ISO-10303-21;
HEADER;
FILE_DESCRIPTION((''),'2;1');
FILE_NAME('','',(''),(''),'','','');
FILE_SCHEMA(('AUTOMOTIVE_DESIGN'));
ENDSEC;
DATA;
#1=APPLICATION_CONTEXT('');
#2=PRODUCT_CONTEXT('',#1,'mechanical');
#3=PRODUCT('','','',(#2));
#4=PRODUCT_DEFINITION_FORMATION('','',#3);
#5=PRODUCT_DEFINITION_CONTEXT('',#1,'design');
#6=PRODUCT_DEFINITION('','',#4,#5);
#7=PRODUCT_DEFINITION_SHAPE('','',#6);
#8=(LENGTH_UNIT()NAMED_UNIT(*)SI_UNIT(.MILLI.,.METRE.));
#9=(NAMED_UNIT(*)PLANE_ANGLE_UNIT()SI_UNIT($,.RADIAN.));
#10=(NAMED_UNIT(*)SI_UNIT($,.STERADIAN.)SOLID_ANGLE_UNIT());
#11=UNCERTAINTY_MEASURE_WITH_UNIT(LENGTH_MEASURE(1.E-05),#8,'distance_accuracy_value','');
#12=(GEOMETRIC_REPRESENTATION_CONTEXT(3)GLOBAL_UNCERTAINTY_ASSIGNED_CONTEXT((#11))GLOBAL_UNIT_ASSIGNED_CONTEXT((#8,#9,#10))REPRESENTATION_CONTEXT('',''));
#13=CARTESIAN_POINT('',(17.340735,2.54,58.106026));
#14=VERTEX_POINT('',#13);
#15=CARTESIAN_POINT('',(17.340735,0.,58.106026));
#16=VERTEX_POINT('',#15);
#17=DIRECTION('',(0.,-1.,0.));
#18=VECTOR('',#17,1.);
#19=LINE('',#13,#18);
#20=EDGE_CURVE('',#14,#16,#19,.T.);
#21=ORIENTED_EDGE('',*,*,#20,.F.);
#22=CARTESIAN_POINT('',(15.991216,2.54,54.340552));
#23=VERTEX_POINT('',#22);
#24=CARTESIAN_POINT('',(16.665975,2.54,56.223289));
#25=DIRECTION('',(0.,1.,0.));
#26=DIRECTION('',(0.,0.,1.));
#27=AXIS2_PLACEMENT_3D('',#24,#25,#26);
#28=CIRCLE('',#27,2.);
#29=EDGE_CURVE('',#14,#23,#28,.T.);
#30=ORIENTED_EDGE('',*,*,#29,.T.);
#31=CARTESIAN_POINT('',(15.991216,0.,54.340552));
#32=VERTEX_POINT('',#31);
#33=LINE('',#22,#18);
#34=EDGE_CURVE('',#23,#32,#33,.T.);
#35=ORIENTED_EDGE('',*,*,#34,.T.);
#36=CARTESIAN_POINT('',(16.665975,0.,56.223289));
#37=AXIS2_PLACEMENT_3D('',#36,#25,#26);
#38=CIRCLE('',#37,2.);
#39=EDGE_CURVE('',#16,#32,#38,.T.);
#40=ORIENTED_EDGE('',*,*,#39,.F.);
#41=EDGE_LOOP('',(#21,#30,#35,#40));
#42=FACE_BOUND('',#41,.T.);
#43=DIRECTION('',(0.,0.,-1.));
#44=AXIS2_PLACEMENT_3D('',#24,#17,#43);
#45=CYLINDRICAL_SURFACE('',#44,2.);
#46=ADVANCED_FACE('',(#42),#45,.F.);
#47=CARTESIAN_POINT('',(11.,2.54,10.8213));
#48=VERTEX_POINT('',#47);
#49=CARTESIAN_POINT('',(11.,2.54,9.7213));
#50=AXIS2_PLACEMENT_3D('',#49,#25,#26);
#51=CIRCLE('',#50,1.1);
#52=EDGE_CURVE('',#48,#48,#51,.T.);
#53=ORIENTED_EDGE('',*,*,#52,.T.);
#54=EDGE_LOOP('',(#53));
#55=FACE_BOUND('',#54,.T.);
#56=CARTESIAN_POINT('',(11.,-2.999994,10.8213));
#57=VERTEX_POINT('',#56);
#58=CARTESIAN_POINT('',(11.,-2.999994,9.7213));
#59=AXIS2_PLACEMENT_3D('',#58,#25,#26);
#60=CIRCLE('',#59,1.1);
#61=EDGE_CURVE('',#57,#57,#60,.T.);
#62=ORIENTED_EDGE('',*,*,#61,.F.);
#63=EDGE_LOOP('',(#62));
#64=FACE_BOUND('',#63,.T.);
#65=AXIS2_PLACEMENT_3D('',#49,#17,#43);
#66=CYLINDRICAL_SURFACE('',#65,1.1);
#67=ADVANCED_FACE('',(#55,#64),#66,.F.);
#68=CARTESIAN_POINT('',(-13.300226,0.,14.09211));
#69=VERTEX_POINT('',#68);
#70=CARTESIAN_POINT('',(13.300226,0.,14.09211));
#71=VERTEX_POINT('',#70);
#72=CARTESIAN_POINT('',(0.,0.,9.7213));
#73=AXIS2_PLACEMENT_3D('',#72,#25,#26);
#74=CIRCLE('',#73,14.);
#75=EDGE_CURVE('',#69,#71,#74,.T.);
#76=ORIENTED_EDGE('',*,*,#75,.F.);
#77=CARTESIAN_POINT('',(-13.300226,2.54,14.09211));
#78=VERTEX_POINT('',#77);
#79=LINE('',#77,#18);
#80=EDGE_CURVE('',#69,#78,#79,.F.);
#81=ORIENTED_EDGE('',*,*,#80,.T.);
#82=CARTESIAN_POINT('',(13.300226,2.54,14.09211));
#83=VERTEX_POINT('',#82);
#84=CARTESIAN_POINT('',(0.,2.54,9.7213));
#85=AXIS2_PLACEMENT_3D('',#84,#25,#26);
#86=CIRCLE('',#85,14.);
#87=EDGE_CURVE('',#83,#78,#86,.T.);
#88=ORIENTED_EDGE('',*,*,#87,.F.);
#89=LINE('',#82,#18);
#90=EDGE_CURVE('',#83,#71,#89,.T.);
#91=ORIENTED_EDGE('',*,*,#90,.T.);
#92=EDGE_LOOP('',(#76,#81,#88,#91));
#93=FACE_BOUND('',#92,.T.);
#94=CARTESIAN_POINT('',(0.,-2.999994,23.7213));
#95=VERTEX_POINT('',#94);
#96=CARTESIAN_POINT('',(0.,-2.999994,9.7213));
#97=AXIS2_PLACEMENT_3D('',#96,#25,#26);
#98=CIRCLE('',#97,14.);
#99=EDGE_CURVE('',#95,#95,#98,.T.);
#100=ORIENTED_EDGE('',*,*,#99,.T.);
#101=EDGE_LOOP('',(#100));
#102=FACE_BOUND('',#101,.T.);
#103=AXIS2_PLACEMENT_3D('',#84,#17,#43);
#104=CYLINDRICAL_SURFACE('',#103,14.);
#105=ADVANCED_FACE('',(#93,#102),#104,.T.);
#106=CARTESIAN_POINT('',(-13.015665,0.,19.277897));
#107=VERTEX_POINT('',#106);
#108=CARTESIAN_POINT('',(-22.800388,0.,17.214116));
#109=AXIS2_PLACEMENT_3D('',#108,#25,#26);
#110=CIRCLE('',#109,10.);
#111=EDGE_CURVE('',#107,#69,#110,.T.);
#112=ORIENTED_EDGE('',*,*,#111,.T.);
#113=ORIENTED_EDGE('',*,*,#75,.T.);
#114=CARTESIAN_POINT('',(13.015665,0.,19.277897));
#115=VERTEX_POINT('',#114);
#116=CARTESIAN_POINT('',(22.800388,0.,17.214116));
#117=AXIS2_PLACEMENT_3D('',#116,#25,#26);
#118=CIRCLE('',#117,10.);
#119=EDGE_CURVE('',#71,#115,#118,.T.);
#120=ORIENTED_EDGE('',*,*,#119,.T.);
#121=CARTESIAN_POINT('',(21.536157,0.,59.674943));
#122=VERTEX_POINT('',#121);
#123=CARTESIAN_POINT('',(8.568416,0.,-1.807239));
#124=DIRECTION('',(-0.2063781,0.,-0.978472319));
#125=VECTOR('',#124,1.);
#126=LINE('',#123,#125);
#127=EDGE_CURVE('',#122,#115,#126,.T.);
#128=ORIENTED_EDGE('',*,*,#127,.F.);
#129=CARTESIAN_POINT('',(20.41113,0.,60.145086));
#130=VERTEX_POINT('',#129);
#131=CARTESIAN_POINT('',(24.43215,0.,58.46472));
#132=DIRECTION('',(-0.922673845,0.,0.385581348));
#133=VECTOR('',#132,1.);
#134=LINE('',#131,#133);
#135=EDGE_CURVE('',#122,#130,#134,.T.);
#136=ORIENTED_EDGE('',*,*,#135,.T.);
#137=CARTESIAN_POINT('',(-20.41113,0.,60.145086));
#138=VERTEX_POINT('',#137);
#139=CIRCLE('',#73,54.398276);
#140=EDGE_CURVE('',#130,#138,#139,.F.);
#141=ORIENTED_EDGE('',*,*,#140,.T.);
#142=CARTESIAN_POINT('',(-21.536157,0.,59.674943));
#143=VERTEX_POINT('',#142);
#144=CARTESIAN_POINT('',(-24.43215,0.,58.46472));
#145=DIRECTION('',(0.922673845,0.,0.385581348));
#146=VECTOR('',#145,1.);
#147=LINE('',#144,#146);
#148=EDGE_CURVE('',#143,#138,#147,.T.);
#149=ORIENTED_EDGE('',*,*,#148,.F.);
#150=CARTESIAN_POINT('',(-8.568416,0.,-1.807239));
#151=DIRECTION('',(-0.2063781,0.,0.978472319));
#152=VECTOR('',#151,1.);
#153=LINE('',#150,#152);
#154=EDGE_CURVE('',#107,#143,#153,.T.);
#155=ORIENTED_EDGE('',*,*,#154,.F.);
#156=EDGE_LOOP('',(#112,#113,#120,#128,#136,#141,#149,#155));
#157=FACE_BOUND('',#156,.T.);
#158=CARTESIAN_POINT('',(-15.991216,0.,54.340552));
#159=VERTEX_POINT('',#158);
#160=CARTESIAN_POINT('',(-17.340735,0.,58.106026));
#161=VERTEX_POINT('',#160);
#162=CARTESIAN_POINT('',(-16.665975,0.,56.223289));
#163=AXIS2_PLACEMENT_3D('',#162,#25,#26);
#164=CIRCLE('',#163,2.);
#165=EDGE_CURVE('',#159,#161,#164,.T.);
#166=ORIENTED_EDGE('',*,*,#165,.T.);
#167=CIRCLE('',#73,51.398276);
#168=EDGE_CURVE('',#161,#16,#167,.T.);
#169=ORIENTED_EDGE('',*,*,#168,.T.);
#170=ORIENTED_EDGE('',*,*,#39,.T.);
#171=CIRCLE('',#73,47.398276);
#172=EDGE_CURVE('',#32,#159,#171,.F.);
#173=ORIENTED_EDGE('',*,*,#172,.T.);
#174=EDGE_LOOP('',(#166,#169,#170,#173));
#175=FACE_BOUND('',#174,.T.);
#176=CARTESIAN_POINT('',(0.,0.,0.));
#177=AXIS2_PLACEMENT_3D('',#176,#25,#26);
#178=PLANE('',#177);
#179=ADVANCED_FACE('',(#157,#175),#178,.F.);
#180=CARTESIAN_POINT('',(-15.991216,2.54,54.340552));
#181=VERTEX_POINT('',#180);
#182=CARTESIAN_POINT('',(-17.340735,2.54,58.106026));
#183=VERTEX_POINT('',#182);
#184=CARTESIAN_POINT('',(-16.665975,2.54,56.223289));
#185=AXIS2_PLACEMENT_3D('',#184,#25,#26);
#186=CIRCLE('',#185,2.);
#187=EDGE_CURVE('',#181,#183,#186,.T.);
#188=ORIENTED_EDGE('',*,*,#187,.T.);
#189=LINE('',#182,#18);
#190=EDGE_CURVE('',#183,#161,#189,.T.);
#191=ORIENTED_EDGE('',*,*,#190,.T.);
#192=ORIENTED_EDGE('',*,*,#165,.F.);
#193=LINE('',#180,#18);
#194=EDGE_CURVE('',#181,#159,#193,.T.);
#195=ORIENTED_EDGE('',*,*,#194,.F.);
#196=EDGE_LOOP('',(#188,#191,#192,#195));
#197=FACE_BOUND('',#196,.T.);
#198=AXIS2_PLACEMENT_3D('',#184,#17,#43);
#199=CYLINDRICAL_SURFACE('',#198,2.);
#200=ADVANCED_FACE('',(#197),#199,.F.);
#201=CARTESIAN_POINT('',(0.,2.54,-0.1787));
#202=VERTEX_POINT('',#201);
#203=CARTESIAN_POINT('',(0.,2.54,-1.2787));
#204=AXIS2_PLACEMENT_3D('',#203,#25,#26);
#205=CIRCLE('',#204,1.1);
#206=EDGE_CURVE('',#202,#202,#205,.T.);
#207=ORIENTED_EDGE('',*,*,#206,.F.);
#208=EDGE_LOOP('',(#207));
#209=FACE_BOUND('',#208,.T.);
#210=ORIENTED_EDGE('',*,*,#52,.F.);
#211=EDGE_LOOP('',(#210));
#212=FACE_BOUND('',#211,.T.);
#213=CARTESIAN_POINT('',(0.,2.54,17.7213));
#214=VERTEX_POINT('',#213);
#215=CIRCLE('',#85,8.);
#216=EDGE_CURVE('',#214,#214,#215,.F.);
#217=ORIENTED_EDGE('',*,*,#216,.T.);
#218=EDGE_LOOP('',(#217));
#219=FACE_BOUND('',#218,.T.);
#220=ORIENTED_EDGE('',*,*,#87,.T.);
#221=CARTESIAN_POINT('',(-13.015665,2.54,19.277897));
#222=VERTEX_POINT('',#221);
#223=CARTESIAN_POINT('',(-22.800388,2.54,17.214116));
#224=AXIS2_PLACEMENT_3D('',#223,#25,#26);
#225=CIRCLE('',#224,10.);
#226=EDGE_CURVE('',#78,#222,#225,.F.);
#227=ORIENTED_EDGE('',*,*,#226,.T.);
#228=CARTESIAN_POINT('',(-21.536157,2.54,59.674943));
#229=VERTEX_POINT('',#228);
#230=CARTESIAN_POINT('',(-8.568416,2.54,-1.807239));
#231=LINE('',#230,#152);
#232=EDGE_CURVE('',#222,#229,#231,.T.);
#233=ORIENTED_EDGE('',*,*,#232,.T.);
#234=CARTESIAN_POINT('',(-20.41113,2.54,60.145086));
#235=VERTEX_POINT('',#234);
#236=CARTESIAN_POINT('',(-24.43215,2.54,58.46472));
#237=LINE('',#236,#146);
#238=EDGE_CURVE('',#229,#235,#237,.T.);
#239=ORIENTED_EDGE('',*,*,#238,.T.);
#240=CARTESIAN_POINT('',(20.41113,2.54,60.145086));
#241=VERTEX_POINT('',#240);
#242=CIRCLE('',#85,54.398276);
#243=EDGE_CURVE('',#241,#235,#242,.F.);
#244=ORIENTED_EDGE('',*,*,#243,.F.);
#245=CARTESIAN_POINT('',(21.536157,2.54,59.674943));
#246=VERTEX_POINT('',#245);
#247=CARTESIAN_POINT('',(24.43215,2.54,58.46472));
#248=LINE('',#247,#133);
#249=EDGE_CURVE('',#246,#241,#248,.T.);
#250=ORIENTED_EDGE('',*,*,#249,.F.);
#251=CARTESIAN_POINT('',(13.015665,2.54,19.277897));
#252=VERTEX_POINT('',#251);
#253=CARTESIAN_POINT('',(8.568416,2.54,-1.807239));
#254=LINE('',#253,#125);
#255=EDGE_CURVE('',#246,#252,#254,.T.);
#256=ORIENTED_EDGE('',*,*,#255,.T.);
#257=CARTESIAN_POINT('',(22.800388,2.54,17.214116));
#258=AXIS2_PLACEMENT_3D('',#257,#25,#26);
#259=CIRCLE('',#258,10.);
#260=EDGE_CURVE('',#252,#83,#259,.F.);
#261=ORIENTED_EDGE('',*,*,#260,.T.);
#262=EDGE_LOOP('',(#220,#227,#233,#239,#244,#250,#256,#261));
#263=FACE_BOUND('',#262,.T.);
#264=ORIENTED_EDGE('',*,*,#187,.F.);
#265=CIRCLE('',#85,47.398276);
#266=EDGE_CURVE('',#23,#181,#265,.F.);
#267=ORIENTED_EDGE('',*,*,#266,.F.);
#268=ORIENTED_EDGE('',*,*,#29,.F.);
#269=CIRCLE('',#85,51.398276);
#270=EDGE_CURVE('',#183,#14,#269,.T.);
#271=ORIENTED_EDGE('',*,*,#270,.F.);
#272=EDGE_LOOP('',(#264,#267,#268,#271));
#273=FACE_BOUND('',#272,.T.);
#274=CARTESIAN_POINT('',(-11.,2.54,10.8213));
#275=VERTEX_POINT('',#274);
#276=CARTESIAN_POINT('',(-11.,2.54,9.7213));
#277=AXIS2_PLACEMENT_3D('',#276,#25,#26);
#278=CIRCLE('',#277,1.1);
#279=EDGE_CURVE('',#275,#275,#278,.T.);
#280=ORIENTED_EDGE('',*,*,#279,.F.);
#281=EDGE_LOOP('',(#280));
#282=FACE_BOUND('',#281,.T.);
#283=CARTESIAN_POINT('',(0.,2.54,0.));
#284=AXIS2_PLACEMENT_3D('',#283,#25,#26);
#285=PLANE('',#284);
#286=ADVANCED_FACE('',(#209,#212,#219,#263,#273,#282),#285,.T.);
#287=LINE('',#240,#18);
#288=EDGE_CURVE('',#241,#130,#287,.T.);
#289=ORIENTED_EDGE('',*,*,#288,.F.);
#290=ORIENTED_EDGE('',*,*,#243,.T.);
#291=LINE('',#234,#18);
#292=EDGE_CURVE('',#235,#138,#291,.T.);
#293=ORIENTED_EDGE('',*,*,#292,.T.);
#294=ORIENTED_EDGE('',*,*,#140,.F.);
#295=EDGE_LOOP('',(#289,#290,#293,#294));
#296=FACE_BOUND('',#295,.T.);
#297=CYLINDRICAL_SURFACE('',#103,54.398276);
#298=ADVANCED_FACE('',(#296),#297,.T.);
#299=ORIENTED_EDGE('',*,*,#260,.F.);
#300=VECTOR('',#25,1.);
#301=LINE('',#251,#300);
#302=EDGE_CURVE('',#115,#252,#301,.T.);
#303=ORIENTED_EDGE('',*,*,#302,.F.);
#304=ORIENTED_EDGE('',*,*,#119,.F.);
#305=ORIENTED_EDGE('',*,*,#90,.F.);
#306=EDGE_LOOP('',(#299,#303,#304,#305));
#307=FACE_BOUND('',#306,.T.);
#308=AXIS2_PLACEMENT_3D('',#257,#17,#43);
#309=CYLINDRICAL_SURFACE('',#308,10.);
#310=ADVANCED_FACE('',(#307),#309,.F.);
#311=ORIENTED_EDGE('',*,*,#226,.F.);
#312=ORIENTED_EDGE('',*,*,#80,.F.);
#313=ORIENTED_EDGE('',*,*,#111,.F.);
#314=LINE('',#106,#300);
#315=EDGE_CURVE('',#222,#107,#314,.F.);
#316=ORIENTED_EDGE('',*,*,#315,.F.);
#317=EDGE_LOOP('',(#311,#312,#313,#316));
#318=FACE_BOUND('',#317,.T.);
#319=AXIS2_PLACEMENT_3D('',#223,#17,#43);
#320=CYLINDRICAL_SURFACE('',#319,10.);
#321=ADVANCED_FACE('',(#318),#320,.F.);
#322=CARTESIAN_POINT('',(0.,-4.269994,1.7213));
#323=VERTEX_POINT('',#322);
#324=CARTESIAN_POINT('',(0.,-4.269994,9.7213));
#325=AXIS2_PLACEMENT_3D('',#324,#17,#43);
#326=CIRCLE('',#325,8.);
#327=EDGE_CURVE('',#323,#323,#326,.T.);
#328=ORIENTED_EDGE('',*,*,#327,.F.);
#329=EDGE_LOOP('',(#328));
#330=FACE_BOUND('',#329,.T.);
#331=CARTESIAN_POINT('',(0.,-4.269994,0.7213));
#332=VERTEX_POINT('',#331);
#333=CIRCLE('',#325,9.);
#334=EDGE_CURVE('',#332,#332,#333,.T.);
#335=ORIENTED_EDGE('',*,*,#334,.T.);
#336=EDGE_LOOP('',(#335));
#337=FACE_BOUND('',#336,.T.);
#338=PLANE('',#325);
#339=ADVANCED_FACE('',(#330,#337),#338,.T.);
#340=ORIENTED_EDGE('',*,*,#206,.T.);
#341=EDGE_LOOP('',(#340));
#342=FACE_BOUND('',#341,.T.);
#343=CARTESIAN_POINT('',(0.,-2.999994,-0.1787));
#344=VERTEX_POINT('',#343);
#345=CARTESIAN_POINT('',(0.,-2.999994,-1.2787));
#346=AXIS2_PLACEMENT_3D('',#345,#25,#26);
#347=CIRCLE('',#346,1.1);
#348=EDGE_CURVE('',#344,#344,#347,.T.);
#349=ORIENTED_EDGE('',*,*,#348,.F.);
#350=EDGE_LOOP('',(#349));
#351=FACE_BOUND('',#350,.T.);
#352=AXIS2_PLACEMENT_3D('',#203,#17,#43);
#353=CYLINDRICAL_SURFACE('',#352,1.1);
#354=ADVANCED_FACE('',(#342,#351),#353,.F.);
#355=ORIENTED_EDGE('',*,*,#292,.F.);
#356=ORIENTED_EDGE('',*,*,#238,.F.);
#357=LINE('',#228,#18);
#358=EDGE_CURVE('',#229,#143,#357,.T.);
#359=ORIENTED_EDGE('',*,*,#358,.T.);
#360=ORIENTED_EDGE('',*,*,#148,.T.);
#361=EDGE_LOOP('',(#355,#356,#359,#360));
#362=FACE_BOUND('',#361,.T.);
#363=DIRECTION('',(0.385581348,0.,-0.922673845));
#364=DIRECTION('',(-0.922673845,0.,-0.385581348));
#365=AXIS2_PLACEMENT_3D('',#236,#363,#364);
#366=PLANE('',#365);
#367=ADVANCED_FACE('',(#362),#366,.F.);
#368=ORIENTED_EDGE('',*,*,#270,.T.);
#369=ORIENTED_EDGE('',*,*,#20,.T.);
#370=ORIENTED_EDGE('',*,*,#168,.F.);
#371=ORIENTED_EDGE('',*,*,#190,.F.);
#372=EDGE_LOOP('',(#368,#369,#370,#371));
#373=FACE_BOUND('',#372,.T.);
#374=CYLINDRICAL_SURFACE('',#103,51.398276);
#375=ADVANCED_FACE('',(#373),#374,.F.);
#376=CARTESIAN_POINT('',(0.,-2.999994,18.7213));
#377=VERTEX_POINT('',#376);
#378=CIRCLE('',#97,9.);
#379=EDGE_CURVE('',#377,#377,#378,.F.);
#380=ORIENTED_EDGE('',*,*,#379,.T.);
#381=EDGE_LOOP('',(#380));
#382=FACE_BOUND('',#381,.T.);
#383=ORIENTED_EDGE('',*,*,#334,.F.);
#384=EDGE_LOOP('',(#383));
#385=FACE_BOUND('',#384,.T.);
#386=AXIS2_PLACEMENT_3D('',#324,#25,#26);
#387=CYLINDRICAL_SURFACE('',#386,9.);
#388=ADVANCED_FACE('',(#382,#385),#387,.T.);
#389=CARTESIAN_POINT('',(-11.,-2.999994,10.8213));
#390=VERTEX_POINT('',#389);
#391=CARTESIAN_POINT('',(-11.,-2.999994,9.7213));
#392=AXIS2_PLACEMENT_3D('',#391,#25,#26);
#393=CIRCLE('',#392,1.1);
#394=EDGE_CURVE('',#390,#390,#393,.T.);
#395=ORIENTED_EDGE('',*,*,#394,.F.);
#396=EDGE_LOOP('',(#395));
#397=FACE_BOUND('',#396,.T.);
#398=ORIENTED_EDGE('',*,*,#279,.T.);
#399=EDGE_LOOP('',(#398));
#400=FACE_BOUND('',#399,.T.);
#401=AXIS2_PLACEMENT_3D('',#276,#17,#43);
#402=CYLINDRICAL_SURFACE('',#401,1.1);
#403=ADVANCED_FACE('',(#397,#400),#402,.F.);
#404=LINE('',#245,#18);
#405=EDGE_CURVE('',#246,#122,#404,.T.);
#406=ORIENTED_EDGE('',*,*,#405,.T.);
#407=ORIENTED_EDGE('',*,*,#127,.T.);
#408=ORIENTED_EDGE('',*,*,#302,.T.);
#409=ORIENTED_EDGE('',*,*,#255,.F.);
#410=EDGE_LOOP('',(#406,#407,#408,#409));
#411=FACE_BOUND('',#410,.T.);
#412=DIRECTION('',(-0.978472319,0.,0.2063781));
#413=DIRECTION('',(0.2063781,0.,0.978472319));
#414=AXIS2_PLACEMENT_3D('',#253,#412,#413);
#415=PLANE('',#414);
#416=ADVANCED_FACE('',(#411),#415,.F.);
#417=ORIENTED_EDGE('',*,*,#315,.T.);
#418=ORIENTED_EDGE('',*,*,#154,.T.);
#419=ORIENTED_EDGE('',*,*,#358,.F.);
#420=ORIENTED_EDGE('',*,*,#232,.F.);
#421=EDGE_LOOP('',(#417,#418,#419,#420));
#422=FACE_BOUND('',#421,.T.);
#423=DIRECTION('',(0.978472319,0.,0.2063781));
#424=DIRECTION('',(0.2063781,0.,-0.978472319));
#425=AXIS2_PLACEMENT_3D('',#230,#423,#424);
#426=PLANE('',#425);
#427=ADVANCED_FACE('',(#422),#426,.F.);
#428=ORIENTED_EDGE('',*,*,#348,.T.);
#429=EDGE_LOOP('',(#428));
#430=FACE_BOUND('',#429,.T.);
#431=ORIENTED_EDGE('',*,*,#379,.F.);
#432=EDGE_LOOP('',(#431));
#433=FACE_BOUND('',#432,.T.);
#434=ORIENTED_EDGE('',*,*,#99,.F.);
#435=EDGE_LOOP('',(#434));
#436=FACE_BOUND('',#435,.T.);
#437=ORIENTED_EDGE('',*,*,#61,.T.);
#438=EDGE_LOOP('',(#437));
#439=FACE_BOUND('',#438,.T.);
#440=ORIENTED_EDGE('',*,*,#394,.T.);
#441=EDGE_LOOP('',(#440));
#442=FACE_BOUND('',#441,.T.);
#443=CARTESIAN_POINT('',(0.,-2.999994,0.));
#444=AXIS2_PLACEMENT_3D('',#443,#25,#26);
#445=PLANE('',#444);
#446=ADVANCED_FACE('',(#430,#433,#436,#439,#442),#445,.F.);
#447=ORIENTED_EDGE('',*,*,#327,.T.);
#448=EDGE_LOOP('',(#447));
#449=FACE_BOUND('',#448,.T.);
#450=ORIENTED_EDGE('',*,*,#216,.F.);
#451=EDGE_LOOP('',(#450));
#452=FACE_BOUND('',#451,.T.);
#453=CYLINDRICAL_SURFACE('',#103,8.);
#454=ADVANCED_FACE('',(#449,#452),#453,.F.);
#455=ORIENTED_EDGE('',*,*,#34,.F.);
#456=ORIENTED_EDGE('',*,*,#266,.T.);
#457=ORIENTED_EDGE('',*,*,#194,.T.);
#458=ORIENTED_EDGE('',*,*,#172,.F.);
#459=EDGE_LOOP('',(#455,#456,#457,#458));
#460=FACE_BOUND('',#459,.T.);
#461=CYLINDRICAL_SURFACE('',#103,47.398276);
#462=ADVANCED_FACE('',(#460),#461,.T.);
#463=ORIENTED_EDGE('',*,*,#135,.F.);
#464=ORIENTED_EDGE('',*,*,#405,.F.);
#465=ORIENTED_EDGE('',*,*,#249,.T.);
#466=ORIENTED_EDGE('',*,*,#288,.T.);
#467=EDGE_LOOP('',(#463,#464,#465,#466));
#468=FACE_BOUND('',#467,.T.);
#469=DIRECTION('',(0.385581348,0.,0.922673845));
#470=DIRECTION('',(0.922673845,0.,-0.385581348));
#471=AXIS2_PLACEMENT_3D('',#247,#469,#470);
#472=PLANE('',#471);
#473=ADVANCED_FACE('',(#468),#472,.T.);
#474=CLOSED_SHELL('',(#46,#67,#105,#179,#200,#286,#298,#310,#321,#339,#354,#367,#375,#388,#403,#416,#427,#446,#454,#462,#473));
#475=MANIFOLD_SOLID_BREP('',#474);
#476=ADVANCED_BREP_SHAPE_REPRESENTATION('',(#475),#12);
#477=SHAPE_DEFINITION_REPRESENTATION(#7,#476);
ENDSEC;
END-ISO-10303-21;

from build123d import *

# Parameters (mm, degrees)
SKETCH1_R           = 1.1
SKETCH1_R_2         = 8
BOSS_EXTRUDE1_DEPTH = 2.54
FILLET2_R           = 10
BOSS_EXTRUDE2_START = -2.999994
SKETCH1_4_R         = 8
SKETCH1_4_R_2       = 1.1
BOSS_EXTRUDE2_DEPTH = 2.999994
BOSS_EXTRUDE3_START = 1.27
SKETCH2_R           = 9
SKETCH2_R_2         = 8
BOSS_EXTRUDE3_DEPTH = 1.27


with BuildPart() as part:
    # Sketch1 → Boss-Extrude1 (new body)
    with BuildSketch(Plane(origin=(0, 0, 0), x_dir=(1, 0, 0), z_dir=(0, 1, 0))):
        with BuildLine():
            Line((20.411129853, -60.145086441), (21.536156884, -59.674942586))
            Line((21.536156884, -59.674942586), (12.379162196, -16.260133485))
            ThreePointArc((12.379162196, -16.260133485), (0, 4.278699998), (-12.379162196, -16.260133485))
            Line((-12.379162196, -16.260133485), (-21.536156884, -59.674942586))
            Line((-21.536156884, -59.674942586), (-20.411129853, -60.145086441))
            ThreePointArc((-20.411129853, -60.145086441), (0, -64.119576268), (20.411129853, -60.145086441))
        make_face()
        with BuildLine():
            ThreePointArc((-17.340734757, -58.10602614), (-18.548712659, -55.548529546), (-15.99121608, -54.340551611))
            ThreePointArc((-15.99121608, -54.340551611), (-6.8e-08, -57.119576403), (15.991215951, -54.340551657))
            ThreePointArc((15.991215951, -54.340551657), (18.548712618, -55.548529433), (17.340734853, -58.106026106))
            ThreePointArc((17.340734853, -58.106026106), (5.1e-08, -61.11957629), (-17.340734757, -58.10602614))
        make_face(mode=Mode.SUBTRACT)
        with Locations((-11, -9.721300002)):
            Circle(SKETCH1_R, mode=Mode.SUBTRACT)
        with Locations((0, -9.721300002)):
            Circle(SKETCH1_R_2, mode=Mode.SUBTRACT)
        with Locations((0, 1.278699998)):
            Circle(SKETCH1_R, mode=Mode.SUBTRACT)
        with Locations((11, -9.721300002)):
            Circle(SKETCH1_R, mode=Mode.SUBTRACT)
    extrude(amount=BOSS_EXTRUDE1_DEPTH)

    # Fillet2
    fillet2_edges = [part.edges().sort_by_distance(p)[0] for p in [
        (-12.379162196, 1.27, 16.260133485),
        (12.379162196, 1.27, 16.260133485),
    ]]
    fillet(fillet2_edges, radius=FILLET2_R)

    # Sketch1<4> → Boss-Extrude2 (add)
    with BuildSketch(Plane(origin=(0, 0, 0), x_dir=(1, 0, 0), z_dir=(0, 1, 0)).offset(BOSS_EXTRUDE2_START)):
        with BuildLine():
            ThreePointArc((-12.379162196, -16.260133485), (0, -23.721300002), (12.379162196, -16.260133485))
            ThreePointArc((12.379162196, -16.260133485), (13.588750324, -13.089662308), (14, -9.721300002))
            ThreePointArc((14, -9.721300002), (-3.368362306, 3.867450323), (-12.379162196, -16.260133485))
        make_face()
        with BuildLine():
            ThreePointArc((-9.9, -9.721300002), (-10.307077747, -10.575617712), (-11.22701591, -10.797619553))
            ThreePointArc((-11.22701591, -10.797619553), (-11.692922253, -8.866982291), (-9.9, -9.721300002))
        make_face(mode=Mode.SUBTRACT)
        with Locations((0, -9.721300002)):
            Circle(SKETCH1_4_R, mode=Mode.SUBTRACT)
        with Locations((0, 1.278699998)):
            Circle(SKETCH1_4_R_2, mode=Mode.SUBTRACT)
        with BuildLine():
            ThreePointArc((12.1, -9.721300002), (11.854317711, -10.414222255), (11.22701591, -10.797619553))
            ThreePointArc((11.22701591, -10.797619553), (10.145682289, -9.028377748), (12.1, -9.721300002))
        make_face(mode=Mode.SUBTRACT)
    extrude(amount=BOSS_EXTRUDE2_DEPTH)

    # Sketch2 → Boss-Extrude3 (add)
    with BuildSketch(Plane.XZ.offset(2.999994).offset(BOSS_EXTRUDE3_START)):
        with Locations((0, 9.721300002)):
            Circle(SKETCH2_R)
        with Locations((0, 9.721300002)):
            Circle(SKETCH2_R_2, mode=Mode.SUBTRACT)
    extrude(amount=-BOSS_EXTRUDE3_DEPTH)


solid = part.part
